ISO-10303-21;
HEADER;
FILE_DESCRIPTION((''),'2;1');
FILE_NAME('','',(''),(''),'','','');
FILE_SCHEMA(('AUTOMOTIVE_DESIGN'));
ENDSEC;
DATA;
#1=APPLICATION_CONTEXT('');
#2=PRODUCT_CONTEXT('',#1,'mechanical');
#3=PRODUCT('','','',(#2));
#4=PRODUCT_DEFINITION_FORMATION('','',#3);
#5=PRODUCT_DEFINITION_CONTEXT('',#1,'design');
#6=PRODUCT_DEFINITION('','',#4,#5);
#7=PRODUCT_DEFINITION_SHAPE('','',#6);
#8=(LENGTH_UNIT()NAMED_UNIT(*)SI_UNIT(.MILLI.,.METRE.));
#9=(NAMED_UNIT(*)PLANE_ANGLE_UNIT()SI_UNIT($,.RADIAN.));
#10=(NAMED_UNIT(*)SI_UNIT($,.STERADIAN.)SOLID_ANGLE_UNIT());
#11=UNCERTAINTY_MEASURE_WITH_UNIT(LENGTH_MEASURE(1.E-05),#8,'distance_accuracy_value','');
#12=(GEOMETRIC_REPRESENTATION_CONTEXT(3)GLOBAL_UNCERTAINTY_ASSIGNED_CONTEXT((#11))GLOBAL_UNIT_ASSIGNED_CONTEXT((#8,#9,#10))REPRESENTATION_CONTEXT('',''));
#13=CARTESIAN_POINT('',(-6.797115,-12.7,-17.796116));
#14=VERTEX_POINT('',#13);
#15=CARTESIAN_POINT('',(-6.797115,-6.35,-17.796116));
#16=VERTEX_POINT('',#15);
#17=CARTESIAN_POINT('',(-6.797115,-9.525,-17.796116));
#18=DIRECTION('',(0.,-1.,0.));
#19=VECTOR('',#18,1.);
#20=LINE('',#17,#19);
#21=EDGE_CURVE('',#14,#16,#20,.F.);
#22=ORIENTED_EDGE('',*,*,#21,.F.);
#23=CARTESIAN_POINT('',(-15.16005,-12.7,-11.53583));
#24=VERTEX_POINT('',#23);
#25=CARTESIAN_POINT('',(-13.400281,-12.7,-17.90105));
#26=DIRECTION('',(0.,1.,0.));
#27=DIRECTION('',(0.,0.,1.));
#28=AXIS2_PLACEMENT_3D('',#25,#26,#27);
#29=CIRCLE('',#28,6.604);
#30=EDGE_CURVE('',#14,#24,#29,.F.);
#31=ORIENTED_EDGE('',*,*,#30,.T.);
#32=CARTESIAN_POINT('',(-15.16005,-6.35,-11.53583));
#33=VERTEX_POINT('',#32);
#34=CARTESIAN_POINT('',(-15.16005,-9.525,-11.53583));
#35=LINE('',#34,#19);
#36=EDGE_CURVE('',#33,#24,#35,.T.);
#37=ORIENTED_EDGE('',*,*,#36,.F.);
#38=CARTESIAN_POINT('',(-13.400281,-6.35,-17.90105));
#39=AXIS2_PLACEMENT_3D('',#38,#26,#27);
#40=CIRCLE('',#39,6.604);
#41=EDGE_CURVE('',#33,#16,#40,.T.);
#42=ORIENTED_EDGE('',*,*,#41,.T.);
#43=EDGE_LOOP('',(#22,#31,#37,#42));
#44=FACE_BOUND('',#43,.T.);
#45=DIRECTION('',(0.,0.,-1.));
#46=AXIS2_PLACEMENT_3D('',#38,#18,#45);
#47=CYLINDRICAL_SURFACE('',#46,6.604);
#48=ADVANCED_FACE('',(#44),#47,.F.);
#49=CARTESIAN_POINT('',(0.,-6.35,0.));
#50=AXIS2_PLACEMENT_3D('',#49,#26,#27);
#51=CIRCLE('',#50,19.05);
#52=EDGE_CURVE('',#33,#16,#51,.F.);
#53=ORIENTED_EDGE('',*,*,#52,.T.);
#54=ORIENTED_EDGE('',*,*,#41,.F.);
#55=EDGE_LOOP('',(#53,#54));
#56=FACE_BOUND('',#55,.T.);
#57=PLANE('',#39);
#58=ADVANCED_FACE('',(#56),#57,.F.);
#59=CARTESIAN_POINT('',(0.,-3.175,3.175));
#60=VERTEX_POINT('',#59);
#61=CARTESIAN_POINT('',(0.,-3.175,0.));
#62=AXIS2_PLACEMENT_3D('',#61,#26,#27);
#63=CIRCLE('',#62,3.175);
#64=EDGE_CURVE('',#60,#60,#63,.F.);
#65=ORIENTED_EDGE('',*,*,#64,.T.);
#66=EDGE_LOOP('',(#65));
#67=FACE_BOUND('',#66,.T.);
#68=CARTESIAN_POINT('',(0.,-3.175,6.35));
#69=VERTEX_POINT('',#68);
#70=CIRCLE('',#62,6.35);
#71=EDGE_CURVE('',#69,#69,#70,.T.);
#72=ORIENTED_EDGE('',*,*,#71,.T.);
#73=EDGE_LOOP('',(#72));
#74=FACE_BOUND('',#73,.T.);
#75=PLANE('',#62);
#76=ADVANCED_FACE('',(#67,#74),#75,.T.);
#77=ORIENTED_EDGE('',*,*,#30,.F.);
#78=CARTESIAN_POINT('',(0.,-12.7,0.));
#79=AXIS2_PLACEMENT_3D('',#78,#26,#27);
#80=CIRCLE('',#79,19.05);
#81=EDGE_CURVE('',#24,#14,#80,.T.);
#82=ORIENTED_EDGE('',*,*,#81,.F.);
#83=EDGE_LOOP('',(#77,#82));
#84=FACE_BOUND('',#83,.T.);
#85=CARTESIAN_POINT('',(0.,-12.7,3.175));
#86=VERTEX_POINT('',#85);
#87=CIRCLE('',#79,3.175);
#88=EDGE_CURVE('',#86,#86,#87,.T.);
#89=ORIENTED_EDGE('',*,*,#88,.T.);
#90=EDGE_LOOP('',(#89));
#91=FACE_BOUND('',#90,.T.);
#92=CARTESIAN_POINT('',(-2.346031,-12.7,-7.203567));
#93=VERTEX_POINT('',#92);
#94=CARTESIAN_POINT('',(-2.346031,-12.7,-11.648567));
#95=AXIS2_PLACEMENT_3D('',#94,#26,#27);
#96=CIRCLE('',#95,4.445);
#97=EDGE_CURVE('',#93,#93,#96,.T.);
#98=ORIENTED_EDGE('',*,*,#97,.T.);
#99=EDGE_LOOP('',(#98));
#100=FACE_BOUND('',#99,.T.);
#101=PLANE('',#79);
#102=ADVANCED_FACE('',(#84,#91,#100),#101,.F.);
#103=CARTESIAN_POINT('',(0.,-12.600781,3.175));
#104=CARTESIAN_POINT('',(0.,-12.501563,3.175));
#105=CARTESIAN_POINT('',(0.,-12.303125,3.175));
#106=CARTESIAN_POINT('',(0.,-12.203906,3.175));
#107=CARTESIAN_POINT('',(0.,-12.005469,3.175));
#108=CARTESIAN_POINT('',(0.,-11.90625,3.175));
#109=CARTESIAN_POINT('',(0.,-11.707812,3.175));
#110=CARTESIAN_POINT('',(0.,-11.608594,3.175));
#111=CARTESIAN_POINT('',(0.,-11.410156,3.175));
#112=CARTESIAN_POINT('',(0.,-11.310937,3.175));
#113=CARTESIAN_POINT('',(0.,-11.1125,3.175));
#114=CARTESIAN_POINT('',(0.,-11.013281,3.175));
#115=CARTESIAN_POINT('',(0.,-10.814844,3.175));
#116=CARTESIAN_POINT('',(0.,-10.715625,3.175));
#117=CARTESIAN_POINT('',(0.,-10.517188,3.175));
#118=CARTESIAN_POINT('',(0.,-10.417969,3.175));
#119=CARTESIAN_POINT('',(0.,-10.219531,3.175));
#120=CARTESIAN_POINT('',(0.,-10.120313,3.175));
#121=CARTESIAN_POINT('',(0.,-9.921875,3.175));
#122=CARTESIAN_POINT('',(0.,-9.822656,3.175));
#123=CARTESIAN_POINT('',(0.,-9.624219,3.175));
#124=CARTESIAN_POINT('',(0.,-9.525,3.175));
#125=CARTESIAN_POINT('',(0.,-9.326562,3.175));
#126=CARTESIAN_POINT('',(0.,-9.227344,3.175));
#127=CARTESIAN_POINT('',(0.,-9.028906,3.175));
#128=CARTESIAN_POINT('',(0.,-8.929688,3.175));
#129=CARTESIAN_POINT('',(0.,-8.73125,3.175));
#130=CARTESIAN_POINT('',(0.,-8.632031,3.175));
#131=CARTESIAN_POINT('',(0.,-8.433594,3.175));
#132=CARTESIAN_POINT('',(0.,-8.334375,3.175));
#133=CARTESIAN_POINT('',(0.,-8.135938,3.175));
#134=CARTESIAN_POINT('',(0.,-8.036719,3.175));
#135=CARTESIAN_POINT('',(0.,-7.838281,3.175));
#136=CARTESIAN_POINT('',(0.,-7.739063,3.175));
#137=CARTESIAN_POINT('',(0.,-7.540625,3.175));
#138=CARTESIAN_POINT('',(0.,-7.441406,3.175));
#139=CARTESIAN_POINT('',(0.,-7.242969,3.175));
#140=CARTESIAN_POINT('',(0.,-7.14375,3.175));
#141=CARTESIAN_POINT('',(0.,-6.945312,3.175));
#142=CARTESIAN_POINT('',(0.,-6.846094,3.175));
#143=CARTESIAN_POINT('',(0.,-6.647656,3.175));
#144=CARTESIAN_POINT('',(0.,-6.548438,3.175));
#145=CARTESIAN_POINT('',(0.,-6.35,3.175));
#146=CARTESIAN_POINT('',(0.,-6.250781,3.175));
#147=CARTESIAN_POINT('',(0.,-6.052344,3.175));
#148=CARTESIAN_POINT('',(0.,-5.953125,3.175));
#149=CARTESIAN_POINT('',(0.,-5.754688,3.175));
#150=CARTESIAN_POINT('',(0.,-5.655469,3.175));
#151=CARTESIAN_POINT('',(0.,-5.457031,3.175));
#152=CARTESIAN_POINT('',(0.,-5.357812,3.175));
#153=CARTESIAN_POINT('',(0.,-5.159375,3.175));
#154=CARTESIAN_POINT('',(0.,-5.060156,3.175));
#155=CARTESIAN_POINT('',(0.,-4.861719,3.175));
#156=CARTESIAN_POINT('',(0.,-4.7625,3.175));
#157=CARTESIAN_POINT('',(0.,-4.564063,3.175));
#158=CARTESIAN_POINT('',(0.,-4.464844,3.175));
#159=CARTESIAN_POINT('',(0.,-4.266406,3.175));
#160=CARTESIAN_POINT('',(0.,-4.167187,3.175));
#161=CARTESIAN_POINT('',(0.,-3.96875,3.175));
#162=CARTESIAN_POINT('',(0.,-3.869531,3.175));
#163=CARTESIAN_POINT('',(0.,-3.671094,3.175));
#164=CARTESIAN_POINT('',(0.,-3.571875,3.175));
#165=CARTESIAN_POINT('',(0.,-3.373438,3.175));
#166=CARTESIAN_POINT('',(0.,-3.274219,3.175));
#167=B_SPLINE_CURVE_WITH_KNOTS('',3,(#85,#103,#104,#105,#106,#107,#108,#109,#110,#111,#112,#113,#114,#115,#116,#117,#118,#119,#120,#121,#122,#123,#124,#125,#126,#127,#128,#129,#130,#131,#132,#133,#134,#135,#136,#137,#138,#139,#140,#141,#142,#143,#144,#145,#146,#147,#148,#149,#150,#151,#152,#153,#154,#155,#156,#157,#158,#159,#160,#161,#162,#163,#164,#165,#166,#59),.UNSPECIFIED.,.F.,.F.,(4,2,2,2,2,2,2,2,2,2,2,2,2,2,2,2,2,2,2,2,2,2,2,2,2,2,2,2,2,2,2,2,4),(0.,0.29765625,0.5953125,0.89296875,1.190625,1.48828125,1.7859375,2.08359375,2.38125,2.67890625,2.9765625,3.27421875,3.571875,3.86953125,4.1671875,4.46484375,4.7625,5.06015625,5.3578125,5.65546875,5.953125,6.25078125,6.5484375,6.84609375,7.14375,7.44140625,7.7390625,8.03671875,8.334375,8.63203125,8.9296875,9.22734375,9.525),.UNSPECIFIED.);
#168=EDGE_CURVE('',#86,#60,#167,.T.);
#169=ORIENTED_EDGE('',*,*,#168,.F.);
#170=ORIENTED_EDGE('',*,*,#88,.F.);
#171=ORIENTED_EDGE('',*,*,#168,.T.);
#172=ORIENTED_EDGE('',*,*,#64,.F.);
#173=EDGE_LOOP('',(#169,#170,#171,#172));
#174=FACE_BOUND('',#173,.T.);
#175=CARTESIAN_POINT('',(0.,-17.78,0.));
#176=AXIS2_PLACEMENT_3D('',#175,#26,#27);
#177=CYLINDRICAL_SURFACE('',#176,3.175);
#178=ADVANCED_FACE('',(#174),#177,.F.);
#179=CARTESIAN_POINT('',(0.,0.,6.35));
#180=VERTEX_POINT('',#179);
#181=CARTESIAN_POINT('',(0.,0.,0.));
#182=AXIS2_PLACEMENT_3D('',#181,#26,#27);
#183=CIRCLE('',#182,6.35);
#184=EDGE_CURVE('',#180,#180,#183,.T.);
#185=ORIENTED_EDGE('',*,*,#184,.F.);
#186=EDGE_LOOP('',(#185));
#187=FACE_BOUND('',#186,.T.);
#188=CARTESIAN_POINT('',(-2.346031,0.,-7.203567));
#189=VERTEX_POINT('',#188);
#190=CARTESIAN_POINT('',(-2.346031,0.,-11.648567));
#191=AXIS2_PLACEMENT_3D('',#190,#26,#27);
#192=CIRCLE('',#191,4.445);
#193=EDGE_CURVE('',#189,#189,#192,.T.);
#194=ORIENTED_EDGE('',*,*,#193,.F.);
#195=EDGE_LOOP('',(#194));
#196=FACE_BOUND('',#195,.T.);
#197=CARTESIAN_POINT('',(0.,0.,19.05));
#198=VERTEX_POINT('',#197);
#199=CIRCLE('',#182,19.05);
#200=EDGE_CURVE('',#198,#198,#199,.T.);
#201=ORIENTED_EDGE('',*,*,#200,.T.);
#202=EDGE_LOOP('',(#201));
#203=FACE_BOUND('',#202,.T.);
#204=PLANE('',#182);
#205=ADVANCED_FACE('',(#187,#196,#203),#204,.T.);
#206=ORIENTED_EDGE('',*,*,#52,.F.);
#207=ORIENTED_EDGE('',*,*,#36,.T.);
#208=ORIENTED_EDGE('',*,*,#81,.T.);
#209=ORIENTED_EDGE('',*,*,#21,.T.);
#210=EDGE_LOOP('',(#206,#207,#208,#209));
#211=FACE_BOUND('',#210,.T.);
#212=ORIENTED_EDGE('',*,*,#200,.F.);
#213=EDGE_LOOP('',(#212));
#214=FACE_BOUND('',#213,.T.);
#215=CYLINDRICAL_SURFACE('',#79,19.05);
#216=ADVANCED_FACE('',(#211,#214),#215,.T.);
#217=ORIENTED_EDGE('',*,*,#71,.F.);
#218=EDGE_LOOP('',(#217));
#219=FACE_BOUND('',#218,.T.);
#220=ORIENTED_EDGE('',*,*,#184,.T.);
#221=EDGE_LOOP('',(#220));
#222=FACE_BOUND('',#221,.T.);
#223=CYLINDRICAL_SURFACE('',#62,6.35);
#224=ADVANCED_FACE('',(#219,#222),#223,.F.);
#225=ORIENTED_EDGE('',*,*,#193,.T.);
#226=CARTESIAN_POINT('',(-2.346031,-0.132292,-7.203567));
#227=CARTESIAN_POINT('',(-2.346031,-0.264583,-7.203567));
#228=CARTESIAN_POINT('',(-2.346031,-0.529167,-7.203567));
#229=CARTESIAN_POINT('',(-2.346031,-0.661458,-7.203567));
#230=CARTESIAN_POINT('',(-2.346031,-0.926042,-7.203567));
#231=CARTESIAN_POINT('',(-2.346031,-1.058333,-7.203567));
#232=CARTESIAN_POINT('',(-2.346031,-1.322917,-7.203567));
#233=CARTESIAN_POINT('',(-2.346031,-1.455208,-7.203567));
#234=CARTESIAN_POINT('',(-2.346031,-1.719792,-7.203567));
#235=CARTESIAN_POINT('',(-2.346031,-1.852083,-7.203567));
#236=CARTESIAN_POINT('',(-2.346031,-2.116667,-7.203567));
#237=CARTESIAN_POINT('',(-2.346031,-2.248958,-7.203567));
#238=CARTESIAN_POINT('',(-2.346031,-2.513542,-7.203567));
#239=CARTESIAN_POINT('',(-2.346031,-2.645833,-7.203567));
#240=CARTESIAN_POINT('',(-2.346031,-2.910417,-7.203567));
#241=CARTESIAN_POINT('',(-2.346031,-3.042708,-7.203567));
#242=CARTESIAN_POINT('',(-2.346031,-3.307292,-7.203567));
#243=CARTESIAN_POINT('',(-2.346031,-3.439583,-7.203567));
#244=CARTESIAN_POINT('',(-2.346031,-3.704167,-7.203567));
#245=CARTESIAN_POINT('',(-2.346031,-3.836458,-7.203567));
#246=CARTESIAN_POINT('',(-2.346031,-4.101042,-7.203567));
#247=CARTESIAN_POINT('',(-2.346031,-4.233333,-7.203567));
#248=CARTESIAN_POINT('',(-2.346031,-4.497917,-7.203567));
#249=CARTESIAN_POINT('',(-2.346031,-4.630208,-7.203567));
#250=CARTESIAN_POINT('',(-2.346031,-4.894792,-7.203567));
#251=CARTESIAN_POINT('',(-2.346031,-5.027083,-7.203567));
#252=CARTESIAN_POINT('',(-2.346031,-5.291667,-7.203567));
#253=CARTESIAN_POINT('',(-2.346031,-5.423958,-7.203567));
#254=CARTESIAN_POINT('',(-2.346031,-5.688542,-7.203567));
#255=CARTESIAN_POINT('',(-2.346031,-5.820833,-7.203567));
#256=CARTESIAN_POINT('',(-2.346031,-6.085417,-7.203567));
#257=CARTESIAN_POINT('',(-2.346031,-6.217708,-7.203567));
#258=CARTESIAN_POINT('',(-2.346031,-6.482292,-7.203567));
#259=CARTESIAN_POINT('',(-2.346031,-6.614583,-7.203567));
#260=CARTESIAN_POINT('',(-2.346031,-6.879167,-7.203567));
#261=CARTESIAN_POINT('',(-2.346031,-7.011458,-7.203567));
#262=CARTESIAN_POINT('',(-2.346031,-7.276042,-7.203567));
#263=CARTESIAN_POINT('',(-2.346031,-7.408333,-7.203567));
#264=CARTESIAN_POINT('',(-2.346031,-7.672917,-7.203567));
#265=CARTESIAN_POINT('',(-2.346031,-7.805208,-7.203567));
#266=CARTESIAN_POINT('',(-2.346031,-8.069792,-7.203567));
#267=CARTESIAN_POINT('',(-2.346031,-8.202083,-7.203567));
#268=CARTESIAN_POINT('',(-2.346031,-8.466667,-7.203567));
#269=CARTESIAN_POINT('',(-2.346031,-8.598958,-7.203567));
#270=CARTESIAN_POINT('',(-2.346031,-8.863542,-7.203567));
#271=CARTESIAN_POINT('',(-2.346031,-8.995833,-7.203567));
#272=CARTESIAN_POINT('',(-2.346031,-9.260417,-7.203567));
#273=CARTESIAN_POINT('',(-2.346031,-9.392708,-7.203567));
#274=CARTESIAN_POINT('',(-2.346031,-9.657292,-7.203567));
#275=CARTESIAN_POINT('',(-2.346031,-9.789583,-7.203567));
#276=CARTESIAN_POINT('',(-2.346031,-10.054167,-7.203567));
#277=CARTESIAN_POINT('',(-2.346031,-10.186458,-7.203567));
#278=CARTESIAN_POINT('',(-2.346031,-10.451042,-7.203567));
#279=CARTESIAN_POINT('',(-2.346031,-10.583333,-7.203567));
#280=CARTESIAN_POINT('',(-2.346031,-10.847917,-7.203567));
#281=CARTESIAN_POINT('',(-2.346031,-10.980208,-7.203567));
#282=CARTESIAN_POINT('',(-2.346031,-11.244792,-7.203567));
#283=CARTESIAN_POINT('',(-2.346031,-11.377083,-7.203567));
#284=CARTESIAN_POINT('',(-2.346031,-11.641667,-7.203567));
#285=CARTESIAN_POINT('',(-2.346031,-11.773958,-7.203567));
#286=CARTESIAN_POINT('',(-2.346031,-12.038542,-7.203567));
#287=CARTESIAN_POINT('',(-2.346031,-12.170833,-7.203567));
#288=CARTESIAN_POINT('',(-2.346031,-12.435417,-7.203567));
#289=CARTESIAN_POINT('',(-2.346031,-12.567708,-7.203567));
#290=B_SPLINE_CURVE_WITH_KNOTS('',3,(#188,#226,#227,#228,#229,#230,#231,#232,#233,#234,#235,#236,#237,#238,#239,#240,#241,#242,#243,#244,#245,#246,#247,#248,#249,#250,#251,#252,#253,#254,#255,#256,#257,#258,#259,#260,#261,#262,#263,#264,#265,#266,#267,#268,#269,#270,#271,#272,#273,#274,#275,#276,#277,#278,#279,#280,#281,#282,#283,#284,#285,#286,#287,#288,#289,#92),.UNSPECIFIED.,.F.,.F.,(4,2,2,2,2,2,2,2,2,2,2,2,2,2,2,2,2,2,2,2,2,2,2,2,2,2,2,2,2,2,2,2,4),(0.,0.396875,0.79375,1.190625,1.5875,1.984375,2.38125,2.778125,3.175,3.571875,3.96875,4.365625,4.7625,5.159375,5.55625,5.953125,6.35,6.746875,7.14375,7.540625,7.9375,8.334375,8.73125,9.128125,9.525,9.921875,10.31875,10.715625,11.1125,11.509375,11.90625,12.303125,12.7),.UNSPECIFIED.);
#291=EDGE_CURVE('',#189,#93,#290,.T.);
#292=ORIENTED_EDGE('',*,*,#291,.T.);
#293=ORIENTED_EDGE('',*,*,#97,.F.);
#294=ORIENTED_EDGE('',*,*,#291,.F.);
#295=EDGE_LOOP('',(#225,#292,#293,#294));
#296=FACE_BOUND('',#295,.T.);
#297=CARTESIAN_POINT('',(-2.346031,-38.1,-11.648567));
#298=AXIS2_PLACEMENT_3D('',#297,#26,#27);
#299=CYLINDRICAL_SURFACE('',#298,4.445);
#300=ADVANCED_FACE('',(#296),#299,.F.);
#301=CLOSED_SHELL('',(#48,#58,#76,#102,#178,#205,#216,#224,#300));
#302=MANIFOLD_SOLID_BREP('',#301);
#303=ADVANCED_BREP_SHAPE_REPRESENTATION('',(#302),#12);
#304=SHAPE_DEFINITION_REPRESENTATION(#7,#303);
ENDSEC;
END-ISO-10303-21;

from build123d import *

# Parameters (mm, degrees)
SKETCH1_R           = 19.05
BOSS_EXTRUDE1_DEPTH = 12.7
SKETCH2_R           = 3.175
CUT_EXTRUDE1_DEPTH  = 17.78
SKETCH3_R           = 6.35
CUT_EXTRUDE2_DEPTH  = 3.175
SKETCH4_R           = 4.445
CUT_EXTRUDE3_DEPTH  = 38.1
SKETCH5_R           = 6.604
CUT_EXTRUDE4_DEPTH  = 6.35


with BuildPart() as part:
    # Sketch1 → Boss-Extrude1 (new body)
    with BuildSketch(Plane(origin=(0, 0, 0), x_dir=(1, 0, 0), z_dir=(0, 1, 0))):
        with Locations(Location((0, 0, 0), (0, 0, 270))):
            Circle(SKETCH1_R)
    extrude(amount=-BOSS_EXTRUDE1_DEPTH)

    # Sketch2 → Cut-Extrude1 (cut)
    with BuildSketch(Plane(origin=(0, 0, 0), x_dir=(1, 0, 0), z_dir=(0, 1, 0))):
        with Locations(Location((0, 0, 0), (0, 0, 270))):
            Circle(SKETCH2_R)
    extrude(amount=-CUT_EXTRUDE1_DEPTH, mode=Mode.SUBTRACT)

    # Sketch3 → Cut-Extrude2 (cut)
    with BuildSketch(Plane(origin=(0, 0, 0), x_dir=(1, 0, 0), z_dir=(0, 1, 0))):
        with Locations(Location((0, 0, 0), (0, 0, 270))):
            Circle(SKETCH3_R)
    extrude(amount=-CUT_EXTRUDE2_DEPTH, mode=Mode.SUBTRACT)

    # Sketch4 → Cut-Extrude3 (cut)
    with BuildSketch(Plane(origin=(0, 0, 0), x_dir=(1, 0, 0), z_dir=(0, 1, 0))):
        with Locations(Location((-2.346030642, 11.648567038, 0), (0, 0, 270))):
            Circle(SKETCH4_R)
    extrude(amount=-CUT_EXTRUDE3_DEPTH, mode=Mode.SUBTRACT)

    # Sketch5 → Cut-Extrude4 (cut)
    with BuildSketch(Plane(origin=(0, -12.7, 0), x_dir=(1, 0, 0), z_dir=(0, 1, 0))):
        with Locations((-13.400281264, 17.901049998)):
            Circle(SKETCH5_R)
    extrude(amount=CUT_EXTRUDE4_DEPTH, mode=Mode.SUBTRACT)


solid = part.part
